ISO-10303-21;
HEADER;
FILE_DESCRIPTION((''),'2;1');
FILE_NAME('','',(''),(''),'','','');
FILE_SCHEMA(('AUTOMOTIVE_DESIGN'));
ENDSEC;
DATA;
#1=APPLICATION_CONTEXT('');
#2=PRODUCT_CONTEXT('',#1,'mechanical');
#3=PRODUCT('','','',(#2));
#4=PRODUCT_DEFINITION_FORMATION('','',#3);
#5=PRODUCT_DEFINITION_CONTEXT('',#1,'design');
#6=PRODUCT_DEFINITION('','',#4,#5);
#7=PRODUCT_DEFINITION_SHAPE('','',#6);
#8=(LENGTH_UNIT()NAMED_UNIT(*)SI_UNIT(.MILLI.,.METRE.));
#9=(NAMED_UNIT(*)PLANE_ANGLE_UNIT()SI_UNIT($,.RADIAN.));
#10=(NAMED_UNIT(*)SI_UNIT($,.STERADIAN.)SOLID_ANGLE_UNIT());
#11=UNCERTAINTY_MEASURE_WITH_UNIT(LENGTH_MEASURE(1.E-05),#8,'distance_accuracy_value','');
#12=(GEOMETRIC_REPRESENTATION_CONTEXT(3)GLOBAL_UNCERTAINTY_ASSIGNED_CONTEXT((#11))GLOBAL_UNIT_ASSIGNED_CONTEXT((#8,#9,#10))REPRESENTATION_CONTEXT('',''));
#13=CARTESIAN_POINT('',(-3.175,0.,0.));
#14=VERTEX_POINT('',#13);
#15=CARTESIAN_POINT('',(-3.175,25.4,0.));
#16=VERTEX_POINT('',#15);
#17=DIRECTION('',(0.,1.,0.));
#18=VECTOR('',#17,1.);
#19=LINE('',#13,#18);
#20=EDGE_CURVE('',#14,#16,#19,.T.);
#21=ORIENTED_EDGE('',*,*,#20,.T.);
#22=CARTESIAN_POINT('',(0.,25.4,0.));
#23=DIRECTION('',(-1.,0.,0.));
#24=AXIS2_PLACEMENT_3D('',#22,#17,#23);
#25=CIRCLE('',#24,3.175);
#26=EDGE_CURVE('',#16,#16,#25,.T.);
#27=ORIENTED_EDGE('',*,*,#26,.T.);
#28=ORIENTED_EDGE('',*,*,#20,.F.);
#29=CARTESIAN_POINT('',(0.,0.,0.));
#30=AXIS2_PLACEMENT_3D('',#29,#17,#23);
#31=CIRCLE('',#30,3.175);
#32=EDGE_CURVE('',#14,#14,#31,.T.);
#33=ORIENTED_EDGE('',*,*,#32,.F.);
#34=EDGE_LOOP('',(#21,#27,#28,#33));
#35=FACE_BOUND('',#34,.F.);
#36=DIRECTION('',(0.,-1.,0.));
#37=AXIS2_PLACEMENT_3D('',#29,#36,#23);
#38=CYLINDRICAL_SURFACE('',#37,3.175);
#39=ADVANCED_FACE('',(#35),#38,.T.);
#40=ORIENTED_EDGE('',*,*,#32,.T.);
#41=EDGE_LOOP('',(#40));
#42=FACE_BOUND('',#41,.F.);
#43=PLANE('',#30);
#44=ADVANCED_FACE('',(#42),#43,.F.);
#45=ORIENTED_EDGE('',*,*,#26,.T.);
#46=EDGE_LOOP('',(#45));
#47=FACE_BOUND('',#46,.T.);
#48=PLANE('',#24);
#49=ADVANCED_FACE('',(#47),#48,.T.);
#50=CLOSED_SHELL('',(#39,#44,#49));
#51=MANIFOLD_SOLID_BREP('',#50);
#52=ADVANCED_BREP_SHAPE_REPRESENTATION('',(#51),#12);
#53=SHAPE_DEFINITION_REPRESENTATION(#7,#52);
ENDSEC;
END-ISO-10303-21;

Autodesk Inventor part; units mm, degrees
ref_plane "YZ Plane" through (0, 0, 0) normal (1, 0, 0) x (0, 1, 0)
ref_plane "XZ Plane" through (0, 0, 0) normal (0, 1, 0) x (-1, 0, 0)
ref_plane "XY Plane" through (0, 0, 0) normal (0, 0, 1) x (1, 0, 0)
sketch "Sketch1" plane through (0, 0, 0) normal (0, 1, 0) x (-1, 0, 0)
  circle A0 centre (0, 0) radius 3.175
  dimension "d0" = 6.35
extrude "Extrusion1" add sketch "Sketch1" along normal blind 25.4
sketch "Sketch2" plane through (0, 25.4, 0) normal (0, 1, 0) x (1, 0, 0)
  circle A0 centre (0, 0) radius 3.175 projected
properties part number "Heater"
